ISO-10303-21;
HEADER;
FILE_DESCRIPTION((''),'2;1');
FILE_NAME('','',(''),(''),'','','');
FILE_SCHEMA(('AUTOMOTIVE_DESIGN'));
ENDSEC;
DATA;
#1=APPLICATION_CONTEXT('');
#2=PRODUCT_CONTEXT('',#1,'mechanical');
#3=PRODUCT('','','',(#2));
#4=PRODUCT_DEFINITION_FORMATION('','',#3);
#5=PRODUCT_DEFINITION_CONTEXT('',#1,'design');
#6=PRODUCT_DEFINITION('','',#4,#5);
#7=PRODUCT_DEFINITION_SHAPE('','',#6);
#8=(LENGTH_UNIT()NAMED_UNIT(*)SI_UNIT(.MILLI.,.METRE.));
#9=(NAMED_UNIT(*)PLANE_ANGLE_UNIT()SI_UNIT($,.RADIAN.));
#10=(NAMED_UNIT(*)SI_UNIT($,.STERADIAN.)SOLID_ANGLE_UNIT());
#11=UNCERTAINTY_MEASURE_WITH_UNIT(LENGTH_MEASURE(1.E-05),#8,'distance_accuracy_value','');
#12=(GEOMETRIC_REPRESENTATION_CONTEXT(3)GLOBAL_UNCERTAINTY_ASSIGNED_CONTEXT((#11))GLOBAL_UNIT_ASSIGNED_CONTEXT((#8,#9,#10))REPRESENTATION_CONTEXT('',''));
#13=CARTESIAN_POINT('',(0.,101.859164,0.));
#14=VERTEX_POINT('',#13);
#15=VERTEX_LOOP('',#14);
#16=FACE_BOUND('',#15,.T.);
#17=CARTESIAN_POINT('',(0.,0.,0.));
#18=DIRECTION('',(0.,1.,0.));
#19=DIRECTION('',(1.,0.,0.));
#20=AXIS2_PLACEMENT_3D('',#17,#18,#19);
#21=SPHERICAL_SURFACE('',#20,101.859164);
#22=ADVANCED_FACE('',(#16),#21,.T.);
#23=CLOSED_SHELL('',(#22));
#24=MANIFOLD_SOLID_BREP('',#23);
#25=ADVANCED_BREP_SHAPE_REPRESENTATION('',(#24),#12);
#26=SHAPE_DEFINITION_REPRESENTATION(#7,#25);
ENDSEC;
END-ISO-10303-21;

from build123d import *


with BuildPart() as part:
    # Sketch1 → Revolve1 (revolve)
    with BuildSketch(Plane.XY):
        with BuildLine():
            Line((0, 101.859163579), (0, -101.859163579))
            ThreePointArc((0, -101.859163579), (-101.859163579, 0), (0, 101.859163579))
        make_face()
    revolve(axis=Axis((0, 101.859163579, 0), (0, -1, 0)))


solid = part.part
